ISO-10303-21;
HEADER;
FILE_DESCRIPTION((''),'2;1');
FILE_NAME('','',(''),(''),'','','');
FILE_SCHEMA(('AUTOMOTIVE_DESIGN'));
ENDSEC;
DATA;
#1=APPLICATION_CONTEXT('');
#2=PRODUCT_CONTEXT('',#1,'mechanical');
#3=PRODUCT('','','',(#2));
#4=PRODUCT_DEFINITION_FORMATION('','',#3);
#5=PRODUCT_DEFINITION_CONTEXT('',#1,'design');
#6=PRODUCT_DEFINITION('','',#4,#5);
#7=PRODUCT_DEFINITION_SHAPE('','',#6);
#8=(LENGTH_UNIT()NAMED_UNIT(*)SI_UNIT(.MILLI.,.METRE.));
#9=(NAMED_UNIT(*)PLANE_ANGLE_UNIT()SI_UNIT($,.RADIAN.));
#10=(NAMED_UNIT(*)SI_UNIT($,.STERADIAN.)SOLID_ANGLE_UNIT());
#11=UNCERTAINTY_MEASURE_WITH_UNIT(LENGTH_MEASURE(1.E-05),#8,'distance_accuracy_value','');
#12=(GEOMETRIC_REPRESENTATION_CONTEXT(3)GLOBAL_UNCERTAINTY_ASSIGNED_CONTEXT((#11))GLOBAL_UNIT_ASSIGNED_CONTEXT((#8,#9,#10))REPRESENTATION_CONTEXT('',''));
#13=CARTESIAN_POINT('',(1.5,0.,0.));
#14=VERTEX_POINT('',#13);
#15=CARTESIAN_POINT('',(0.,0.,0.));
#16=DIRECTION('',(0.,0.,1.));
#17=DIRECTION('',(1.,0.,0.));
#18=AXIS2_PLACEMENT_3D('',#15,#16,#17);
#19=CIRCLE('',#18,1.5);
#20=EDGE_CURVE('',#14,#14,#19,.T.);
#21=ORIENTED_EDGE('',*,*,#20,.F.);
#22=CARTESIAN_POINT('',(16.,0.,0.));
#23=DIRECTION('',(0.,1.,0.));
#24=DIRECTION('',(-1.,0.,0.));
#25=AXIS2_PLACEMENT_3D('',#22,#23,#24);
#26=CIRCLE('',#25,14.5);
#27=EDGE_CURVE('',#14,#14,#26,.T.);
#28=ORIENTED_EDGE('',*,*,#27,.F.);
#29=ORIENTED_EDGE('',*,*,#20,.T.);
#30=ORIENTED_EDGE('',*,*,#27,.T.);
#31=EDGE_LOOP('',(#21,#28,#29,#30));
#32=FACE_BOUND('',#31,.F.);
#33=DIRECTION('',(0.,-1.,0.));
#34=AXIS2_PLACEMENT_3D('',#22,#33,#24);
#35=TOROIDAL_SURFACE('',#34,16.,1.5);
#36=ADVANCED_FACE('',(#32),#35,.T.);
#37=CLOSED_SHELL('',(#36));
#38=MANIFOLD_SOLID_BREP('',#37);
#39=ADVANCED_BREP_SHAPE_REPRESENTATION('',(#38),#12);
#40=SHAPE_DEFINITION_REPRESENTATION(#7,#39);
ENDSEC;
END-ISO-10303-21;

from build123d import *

# Parameters (mm, degrees)
F0_R = 1.5


with BuildPart() as f1:
    # F0 (on Top) → F1 (revolve)
    with BuildSketch(Plane.XY):
        Circle(F0_R)
    revolve(axis=Axis((16, -0.286738, 0), (0, 1, 0)))


solid = f1.part
